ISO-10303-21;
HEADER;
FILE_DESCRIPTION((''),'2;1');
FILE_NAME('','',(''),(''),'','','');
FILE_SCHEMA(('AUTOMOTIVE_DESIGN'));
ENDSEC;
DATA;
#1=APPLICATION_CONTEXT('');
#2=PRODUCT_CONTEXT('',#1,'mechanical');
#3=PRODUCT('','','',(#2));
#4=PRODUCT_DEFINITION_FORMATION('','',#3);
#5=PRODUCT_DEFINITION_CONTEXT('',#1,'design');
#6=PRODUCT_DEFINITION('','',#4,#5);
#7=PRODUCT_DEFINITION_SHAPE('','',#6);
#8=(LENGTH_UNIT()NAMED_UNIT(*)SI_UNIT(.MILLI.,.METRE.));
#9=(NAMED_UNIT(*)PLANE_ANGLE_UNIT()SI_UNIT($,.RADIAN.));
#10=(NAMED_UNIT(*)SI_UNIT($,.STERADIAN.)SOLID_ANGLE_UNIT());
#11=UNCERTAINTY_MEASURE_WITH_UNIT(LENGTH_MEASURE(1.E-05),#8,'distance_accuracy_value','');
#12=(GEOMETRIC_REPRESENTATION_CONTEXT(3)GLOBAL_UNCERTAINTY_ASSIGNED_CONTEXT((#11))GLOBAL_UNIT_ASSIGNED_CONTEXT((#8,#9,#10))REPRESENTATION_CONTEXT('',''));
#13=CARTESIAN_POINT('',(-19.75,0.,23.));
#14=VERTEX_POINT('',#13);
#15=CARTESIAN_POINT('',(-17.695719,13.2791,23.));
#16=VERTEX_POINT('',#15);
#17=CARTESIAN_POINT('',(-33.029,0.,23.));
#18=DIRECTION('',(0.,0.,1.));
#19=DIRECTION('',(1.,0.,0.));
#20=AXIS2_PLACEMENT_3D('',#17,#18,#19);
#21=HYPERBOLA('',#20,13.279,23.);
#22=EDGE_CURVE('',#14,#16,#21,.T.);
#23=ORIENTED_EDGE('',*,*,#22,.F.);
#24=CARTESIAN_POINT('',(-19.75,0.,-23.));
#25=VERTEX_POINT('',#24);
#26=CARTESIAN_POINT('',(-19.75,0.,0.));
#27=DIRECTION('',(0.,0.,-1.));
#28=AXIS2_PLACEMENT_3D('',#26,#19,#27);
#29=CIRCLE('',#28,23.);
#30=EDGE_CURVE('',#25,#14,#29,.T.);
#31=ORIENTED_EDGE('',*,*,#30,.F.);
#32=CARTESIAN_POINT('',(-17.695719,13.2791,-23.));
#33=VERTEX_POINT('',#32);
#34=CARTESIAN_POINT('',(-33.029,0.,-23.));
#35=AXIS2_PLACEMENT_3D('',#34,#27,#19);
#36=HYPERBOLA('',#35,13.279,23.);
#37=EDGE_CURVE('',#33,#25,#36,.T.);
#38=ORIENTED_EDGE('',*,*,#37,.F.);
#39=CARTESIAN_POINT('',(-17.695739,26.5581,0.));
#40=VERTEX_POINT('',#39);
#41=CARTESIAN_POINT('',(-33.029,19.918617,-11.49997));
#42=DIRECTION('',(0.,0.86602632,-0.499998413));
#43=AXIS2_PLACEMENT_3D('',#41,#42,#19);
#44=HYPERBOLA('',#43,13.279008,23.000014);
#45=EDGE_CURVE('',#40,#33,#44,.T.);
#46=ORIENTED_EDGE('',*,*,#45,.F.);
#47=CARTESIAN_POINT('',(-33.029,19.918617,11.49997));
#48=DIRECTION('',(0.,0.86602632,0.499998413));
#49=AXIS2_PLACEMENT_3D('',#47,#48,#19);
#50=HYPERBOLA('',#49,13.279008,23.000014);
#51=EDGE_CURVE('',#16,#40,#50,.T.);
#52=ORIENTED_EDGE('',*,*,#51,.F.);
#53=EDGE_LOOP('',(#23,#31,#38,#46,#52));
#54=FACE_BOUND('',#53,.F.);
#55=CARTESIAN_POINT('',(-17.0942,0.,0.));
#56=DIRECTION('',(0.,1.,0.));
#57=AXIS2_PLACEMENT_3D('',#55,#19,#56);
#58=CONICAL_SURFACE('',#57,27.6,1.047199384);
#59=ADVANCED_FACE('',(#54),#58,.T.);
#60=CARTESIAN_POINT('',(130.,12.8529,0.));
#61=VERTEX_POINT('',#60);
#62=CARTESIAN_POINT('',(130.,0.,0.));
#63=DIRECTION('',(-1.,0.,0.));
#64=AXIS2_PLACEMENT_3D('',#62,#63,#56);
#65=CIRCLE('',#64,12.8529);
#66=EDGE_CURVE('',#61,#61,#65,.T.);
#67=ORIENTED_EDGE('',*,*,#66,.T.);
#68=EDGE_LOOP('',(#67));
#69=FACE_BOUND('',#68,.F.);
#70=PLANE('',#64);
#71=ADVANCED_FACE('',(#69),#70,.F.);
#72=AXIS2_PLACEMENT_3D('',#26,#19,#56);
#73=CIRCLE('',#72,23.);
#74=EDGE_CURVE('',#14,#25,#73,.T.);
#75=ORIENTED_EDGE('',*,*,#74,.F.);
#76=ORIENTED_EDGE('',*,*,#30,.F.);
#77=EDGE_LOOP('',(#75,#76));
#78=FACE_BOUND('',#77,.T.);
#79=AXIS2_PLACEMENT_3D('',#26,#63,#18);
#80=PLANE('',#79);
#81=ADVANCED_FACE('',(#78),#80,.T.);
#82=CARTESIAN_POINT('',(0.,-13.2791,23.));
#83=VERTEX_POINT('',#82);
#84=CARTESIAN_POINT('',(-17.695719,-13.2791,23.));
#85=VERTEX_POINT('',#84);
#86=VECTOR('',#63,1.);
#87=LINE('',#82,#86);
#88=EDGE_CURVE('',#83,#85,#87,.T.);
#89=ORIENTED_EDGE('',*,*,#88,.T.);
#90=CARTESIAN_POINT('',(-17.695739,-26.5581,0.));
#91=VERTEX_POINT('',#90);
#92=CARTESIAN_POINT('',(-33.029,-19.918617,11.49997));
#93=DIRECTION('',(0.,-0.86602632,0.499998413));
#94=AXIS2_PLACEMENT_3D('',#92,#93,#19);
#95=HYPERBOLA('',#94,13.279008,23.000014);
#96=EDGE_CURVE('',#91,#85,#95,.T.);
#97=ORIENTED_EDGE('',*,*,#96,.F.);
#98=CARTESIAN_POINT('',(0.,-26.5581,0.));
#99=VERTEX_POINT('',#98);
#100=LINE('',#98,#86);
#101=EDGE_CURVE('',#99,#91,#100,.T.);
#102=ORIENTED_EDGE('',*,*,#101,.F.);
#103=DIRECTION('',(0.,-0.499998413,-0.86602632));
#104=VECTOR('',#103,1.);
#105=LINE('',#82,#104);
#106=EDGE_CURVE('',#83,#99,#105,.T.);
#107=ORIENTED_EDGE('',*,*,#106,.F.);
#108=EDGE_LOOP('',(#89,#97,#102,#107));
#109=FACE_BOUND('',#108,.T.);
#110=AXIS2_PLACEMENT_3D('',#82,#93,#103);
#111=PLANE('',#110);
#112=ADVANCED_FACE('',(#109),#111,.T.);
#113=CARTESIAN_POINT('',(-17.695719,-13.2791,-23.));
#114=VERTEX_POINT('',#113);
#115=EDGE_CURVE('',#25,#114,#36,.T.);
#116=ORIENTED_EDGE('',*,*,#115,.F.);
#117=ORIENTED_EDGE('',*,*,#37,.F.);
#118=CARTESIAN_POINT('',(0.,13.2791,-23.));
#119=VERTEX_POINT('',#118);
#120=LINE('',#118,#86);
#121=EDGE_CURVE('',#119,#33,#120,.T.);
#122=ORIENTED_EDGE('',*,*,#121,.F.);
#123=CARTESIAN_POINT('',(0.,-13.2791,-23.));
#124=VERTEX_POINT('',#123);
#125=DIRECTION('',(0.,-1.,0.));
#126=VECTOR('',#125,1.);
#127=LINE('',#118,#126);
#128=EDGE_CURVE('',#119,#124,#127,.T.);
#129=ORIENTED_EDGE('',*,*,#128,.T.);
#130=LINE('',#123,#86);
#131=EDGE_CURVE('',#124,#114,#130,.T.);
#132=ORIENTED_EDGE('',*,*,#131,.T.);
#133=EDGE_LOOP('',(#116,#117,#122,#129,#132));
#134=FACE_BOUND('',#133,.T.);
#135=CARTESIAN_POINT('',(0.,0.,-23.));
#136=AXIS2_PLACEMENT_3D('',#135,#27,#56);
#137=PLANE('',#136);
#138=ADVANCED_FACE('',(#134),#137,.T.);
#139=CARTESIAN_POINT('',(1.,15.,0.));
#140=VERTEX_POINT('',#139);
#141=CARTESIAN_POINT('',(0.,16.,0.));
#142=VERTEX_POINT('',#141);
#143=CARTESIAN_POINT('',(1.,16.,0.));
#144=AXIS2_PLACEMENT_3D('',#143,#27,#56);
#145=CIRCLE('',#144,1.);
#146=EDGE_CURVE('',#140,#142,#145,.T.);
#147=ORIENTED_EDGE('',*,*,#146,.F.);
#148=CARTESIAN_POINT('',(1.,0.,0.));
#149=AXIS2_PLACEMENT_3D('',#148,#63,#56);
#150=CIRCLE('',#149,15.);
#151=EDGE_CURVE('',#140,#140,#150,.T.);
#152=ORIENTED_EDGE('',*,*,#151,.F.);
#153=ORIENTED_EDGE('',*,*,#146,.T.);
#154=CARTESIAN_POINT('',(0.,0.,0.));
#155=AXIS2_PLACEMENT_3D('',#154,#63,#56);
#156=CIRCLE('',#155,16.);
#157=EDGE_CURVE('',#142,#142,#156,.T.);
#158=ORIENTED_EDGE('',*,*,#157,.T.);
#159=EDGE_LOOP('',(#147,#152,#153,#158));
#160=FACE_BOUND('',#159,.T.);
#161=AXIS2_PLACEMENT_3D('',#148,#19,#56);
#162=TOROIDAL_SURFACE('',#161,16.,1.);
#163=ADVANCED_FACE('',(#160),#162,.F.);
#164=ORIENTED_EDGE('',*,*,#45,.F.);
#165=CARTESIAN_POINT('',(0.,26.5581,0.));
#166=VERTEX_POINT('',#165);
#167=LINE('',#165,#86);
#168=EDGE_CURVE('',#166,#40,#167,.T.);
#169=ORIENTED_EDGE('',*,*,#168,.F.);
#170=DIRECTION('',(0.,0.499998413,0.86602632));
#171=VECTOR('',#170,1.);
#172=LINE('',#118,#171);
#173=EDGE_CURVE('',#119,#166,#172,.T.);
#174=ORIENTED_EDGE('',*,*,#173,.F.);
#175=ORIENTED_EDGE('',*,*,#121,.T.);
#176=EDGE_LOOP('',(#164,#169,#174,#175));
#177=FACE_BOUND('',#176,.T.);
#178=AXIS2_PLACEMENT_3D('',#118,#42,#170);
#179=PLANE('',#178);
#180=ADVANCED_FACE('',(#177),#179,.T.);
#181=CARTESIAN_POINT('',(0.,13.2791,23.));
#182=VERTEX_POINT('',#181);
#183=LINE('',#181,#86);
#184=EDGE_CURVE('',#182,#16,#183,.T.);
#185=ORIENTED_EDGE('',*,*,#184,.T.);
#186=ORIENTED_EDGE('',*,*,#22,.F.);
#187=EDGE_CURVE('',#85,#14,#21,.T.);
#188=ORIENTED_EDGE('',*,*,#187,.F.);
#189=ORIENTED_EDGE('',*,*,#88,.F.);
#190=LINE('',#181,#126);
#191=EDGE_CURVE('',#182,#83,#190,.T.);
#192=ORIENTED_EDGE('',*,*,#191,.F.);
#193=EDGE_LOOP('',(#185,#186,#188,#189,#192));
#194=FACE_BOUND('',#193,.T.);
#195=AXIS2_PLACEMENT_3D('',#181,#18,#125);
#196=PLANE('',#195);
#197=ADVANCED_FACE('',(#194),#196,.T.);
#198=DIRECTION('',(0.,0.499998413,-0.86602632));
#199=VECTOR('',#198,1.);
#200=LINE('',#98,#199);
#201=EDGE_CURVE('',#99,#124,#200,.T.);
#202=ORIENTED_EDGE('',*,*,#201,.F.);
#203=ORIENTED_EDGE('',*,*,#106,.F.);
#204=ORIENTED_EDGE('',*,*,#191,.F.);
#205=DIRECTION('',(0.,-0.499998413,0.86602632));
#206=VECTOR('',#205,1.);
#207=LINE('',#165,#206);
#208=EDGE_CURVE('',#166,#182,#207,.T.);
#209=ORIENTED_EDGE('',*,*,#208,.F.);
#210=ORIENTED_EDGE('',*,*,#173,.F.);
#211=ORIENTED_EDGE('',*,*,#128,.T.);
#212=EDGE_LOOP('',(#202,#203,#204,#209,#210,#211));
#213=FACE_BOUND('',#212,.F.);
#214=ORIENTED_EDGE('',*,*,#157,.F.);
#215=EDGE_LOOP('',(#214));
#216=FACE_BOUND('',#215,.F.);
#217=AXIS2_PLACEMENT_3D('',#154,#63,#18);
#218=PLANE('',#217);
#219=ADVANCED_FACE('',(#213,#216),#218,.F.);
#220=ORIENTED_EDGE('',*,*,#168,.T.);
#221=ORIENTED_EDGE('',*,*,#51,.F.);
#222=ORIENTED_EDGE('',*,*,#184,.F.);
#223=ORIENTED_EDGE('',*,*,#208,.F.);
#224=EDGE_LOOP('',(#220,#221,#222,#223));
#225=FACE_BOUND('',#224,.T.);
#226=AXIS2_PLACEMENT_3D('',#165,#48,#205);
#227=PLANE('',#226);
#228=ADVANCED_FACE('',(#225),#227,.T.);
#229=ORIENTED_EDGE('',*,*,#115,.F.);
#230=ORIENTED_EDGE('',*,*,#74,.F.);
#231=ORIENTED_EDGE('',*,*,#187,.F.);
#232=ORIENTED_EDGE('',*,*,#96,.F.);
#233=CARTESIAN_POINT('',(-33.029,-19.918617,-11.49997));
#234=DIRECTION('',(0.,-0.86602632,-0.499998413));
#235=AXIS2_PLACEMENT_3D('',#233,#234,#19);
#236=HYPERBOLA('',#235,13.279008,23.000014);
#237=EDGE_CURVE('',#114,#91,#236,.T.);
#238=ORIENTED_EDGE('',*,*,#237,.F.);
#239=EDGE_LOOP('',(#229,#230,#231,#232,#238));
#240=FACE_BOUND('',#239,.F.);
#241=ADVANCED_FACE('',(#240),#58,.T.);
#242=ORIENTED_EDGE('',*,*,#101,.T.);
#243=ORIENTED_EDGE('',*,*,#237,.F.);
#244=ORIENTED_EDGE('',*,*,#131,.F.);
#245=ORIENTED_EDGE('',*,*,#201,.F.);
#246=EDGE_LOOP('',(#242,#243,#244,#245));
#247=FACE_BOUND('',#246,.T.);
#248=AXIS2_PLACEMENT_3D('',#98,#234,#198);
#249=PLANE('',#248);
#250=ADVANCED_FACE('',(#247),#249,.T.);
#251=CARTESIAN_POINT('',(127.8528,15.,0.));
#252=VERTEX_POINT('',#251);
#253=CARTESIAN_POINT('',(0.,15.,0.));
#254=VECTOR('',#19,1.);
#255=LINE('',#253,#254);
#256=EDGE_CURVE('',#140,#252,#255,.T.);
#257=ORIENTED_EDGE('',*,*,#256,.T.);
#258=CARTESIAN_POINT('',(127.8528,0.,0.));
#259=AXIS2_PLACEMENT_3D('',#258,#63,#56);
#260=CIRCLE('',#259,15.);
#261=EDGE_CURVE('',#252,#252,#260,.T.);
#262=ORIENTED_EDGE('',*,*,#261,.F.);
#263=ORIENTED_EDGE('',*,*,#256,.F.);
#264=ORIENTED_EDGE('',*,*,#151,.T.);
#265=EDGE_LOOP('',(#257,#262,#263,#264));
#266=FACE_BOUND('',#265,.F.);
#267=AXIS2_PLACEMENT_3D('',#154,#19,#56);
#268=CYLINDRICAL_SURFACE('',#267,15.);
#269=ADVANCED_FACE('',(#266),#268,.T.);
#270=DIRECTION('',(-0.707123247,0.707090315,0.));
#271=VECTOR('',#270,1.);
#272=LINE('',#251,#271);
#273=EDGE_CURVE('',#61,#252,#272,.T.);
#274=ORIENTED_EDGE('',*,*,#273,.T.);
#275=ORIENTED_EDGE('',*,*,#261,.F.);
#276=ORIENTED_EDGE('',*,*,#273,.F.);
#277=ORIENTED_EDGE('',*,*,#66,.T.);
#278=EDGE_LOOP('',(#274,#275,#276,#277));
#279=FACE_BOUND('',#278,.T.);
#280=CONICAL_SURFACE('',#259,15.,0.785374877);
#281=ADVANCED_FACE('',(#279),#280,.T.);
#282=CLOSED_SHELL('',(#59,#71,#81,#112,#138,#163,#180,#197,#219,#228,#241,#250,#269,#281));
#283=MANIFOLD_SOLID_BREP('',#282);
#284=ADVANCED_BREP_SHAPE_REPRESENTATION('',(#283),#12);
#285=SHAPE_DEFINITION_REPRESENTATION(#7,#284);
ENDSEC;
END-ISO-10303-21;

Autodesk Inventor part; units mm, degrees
ref_plane "YZ Plane" through (0, 0, 0) normal (1, 0, 0) x (0, 1, 0)
ref_plane "XZ Plane" through (0, 0, 0) normal (0, 1, 0) x (-1, 0, 0)
sketch "Sketch1" plane through (0, 0, 0) normal (0, 0, 1) x (1, 0, 0)
  line L0 (0, 15) -> (130, 15)
  line L1 (130, 15) -> (130, 0)
  line L2 (130, 0) -> (0, 0)
  line L3 (-26, 0) -> (156, 0) projected
  line L4 (0, -3) -> (0, 18) projected
  line L5 (0, 15) -> (0, 0)
  dimension "d2" = 30
  dimension "d59" = 130
revolve "Body" add sketch "Sketch1" angle 360 about axis through (130, 0, 0) along (-1, 0, 0)
sketch "Sketch2" plane through (0, 0, 0) normal (-1, 0, 0) x (0, 0, 1)
  line L0 (0, 26.5581) -> (23, 13.2791)
  line L1 (23, 13.2791) -> (23, -13.2791)
  line L2 (23, -13.2791) -> (0, -26.5581)
  line L3 (0, -26.5581) -> (-23, -13.2791)
  line L4 (-23, -13.2791) -> (-23, 13.2791)
  line L5 (-23, 13.2791) -> (0, 26.5581)
  line L6 (-32.2, 0) -> (32.2, 0) projected
  line L7 (0, 37.1814) -> (0, -37.1814) projected
  point P0 (0, 0)
  point P1 (0, 0)
  dimension "d11" = 46
extrude "Head" add sketch "Sketch2" along normal blind 19.75
sketch "Sketch4" plane through (0, 0, 0) normal (0, 0, 1) x (1, 0, 0)
  line L0 (-17.0942, 27.6) -> (-19.75, 23)
  line L1 (-1.1, 0) -> (-0.234, 0)
  line L2 (-23.6532, 0) -> (3.6692, 0) projected
  line L3 (-19.75, 27.6) -> (-17.0942, 27.6)
  line L4 (-19.75, 23) -> (-19.75, 27.6)
  line L5 (0, 33.12) -> (0, -5.52) projected
  dimension "d65" = 46
  dimension "d67" = 30
  dimension "d68" = 55.2
  dimension "d69" = 19.75
revolve "Chamfer1" cut sketch "Sketch4" angle 360 about axis through (-1.1, 0, 0) along (1, 0, 0)
thread "Thread" size "M30x3.5" class "6g" standard "ISO Metric profile" length 72
chamfer "Chamfer2" distance 2.1471 distance2 2.1472 1 edges at (130, -15, 0) measured on face at (130, -3.9999, -1.1966)
fillet "Fillet" radius 1 1 edges at (0, -15, 0)
ref_plane "Work Plane1" through (1.525, 0, 0) normal (0, 0, 1) x (1, 0, 0)
equation "\"d2\" = GD"
equation "\"d59\" = NLG"
equation "\"d11\" = SW"
equation "\"d3\" = KOH"
equation "\"d15\" = GEL"
equation "\"d6\" = -0.5 * SPD + 0.5 * GD"
equation "\"d71\" = RR1"
equation "\"d65\" = SW"
equation "\"d67\" = ANG1"
equation "\"d68\" = 1.2 * SW"
equation "\"d69\" = KOH"
equation "\"NLG\" = 130"
equation "\"GD\" = NND"
equation "\"KOH\" = 19.75"
equation "\"GEL\" = 72"
equation "\"SW\" = 46"
equation "\"SW0\" = SW"
equation "\"SPD\" = NND - 1.2269 * PTC"
equation "\"SD\" = 0"
equation "\"ANG1\" = 30deg"
equation "\"GAL\" = 0.61345 * PTC"
equation "\"GUL\" = 0.61345 * PTC"
equation "\"RR\" = 0.1"
equation "\"RR1\" = 1"
equation "\"GD1\" = THREADDIA - 1.2269 * PTC"
equation "\"TOA\" = 30deg"
equation "\"PTC\" = 3.5"
equation "\"KOH1\" = 13.1"
equation "\"E0\" = 1.155 * SW"
equation "\"NND\" = 30"
equation "\"THREADDIA\" = 30"
properties part number "ANSI B18.2.3.5M - M30 x 3,5 x 130" material "Steel, Mild"
